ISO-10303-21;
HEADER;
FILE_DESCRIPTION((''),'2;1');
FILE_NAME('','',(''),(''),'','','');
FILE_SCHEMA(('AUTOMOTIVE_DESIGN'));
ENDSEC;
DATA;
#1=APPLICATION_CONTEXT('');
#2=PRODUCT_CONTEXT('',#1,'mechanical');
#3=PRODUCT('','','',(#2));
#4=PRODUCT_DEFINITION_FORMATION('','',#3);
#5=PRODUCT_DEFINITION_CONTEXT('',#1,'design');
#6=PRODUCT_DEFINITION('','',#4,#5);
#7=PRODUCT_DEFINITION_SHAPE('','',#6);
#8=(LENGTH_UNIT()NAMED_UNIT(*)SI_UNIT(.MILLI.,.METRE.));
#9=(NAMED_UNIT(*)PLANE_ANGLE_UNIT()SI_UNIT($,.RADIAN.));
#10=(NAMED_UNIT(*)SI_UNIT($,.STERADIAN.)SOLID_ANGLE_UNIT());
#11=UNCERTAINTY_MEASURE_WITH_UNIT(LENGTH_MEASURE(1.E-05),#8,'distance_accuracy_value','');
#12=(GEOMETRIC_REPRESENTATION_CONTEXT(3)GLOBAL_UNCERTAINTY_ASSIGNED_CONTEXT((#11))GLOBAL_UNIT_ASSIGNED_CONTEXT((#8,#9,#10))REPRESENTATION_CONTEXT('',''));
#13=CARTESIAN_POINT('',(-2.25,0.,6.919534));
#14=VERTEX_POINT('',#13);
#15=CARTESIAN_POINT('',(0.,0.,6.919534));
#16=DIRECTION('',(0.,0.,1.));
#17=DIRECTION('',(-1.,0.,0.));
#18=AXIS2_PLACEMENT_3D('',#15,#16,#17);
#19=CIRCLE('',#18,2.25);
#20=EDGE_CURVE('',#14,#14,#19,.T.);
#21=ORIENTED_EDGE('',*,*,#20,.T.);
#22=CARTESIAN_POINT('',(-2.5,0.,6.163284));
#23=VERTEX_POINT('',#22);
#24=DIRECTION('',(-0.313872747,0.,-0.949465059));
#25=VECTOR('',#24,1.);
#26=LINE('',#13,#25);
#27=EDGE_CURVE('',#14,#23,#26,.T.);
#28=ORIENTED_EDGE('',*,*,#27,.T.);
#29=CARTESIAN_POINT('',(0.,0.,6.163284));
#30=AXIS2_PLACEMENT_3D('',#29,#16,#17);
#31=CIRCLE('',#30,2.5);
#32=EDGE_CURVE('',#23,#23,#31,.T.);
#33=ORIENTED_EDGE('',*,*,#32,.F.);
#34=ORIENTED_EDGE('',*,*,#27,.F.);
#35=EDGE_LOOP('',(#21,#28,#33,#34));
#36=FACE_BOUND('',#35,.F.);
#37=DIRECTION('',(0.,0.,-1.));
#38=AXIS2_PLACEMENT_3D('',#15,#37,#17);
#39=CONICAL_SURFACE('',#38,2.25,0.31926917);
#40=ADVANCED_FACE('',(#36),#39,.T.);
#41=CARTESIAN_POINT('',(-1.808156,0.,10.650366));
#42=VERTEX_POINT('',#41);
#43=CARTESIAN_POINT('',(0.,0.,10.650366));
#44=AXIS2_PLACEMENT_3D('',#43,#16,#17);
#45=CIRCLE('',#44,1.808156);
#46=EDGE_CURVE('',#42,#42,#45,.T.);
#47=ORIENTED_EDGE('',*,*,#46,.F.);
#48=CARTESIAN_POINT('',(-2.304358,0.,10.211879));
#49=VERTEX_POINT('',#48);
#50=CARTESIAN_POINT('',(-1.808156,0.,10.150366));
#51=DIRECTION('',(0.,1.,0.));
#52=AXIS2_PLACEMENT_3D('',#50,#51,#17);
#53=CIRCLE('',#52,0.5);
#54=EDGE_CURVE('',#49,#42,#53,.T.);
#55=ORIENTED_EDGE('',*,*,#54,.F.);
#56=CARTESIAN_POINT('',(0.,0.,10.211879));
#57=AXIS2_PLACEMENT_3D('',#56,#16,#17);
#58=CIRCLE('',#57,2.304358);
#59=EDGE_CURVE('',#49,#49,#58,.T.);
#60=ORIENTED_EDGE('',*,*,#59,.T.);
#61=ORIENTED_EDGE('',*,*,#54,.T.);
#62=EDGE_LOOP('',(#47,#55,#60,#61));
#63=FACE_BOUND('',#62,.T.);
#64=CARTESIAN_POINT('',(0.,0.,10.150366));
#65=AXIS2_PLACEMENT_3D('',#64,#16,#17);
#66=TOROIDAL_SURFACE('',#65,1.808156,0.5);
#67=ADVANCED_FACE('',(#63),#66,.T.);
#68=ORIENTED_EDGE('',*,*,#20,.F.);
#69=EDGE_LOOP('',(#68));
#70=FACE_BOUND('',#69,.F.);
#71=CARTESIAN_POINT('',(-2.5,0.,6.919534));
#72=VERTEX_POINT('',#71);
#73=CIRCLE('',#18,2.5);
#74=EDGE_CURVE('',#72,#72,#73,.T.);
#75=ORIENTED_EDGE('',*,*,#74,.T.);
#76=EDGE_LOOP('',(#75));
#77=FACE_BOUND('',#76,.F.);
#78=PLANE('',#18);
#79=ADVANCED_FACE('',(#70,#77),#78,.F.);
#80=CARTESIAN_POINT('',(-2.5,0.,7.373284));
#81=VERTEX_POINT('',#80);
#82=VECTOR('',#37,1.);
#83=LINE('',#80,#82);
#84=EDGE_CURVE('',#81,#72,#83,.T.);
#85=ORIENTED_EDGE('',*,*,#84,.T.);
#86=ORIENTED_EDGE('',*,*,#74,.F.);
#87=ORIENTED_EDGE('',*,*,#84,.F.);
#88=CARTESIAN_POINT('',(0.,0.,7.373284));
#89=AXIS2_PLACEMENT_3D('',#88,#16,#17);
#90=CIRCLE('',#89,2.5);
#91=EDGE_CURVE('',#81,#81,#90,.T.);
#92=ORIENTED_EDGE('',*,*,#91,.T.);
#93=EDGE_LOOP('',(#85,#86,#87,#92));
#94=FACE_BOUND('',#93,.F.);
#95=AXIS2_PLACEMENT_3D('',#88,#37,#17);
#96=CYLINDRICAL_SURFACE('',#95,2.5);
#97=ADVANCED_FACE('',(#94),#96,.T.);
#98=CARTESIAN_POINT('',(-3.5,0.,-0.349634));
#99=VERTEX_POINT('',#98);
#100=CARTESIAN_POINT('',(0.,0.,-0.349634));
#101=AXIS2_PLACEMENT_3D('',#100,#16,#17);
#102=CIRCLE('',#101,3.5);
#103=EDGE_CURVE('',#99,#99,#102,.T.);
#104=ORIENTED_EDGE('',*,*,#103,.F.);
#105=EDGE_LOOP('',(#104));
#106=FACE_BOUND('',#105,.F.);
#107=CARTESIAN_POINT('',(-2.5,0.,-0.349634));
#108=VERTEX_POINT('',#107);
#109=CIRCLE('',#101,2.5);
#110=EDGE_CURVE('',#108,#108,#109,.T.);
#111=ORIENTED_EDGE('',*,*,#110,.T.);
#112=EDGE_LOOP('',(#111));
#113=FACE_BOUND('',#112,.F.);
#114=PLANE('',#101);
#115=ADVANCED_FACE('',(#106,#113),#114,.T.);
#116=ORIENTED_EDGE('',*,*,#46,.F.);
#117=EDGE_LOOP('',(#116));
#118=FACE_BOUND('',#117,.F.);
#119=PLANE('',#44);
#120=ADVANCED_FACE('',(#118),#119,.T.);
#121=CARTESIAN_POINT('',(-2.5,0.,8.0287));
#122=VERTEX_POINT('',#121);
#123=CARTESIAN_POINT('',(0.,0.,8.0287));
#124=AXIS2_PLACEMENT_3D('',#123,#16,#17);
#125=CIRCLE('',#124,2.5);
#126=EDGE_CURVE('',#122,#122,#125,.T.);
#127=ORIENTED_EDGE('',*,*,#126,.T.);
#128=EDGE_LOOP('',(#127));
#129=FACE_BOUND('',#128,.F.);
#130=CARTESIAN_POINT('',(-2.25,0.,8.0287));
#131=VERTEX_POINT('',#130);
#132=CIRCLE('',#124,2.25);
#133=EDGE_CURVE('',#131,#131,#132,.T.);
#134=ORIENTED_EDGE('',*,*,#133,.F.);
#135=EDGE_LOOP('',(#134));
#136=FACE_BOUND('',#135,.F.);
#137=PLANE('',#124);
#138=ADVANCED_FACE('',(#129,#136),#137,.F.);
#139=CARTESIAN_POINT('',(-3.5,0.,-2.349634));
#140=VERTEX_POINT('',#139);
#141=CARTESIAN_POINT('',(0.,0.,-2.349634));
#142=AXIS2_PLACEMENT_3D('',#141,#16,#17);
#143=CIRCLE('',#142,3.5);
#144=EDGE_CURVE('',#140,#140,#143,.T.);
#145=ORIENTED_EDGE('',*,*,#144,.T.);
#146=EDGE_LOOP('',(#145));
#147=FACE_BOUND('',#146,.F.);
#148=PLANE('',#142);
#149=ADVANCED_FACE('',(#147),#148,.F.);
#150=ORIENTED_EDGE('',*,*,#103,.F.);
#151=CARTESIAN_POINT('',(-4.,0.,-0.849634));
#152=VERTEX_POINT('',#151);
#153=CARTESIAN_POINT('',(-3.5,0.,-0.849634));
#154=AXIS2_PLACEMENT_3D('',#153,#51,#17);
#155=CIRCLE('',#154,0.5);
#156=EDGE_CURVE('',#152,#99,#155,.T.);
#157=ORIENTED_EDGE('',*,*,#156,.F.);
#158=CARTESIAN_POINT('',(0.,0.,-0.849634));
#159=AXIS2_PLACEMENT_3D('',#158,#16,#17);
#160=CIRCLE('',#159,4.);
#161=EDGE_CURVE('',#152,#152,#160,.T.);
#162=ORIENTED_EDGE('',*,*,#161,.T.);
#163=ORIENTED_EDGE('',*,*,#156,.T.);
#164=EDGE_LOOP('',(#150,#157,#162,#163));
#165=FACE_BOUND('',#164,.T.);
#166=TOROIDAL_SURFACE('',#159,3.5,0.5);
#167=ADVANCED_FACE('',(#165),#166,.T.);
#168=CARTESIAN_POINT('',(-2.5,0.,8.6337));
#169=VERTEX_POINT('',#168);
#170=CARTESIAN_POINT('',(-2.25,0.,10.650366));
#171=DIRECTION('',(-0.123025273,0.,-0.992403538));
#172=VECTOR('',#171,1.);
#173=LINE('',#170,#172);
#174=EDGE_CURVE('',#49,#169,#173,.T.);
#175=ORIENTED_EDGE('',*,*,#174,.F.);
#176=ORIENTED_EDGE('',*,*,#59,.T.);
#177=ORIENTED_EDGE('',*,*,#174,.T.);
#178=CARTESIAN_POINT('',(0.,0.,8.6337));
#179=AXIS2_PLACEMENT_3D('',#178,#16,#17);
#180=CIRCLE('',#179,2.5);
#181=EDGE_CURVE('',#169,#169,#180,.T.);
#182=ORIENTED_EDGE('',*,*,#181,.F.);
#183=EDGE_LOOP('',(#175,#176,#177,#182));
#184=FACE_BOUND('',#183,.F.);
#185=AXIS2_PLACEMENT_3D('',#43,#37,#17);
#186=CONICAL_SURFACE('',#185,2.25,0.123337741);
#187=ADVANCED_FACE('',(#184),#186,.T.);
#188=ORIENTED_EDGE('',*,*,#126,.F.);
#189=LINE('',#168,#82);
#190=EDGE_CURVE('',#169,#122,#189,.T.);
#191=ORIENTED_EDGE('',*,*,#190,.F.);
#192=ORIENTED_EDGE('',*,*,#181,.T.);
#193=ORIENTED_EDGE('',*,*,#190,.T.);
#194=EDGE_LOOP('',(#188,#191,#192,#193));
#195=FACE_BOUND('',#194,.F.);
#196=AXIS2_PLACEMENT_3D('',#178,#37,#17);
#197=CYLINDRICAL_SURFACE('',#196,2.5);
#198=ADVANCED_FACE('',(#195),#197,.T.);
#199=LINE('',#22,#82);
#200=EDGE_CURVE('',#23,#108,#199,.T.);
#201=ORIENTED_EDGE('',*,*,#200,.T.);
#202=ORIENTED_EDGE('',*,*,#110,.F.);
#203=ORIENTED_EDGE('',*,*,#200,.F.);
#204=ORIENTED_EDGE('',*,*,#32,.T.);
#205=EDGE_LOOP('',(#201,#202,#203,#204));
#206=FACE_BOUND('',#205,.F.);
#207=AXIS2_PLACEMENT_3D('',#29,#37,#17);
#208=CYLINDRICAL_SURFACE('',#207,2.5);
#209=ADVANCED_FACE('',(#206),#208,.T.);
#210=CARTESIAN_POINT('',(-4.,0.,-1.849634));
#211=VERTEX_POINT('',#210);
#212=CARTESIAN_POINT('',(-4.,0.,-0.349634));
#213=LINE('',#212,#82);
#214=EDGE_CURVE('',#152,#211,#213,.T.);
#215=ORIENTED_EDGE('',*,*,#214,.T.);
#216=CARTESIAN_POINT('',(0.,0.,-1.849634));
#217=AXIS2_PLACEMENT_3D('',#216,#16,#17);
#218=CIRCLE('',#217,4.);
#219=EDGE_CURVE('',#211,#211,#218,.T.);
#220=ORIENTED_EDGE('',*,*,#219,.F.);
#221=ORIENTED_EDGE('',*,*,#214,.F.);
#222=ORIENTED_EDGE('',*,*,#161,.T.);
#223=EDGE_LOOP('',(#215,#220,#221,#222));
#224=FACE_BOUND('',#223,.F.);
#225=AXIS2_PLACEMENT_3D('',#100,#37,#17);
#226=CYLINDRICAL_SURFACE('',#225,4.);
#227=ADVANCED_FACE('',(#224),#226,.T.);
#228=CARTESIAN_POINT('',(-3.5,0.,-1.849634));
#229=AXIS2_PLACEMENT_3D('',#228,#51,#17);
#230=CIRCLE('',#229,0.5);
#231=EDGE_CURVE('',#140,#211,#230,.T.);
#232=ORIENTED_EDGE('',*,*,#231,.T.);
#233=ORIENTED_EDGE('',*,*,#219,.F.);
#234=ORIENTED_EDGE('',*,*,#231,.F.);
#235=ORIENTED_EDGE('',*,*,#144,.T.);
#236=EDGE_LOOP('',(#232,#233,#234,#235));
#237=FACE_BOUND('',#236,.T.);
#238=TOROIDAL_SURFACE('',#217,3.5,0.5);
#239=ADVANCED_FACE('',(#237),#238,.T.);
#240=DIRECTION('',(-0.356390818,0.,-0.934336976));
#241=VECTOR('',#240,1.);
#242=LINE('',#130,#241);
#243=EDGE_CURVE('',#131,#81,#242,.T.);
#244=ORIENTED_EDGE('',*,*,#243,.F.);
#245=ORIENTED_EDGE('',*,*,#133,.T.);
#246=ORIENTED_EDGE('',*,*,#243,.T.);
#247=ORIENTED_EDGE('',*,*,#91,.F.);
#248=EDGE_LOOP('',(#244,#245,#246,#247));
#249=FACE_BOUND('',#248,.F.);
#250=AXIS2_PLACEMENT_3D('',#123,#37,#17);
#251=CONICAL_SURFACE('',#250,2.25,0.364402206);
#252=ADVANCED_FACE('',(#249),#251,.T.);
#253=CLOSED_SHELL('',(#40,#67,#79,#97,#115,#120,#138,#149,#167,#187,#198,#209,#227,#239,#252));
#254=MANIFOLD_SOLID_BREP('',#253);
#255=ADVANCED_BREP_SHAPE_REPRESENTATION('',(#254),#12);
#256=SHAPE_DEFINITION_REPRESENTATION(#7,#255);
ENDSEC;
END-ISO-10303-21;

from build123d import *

# Parameters (mm, degrees)
F2_R = 0.5
F3_R = 0.5


with BuildPart() as f1:
    # F0 (on Front) → F1 (revolve)
    with BuildSketch(Plane.XZ):
        Polygon((-4, -2.349634), (0, -2.349634), (0, 10.650366), (-2.25, 10.650366), (-2.5, 8.6337), (-2.5, 8.0287), (-2.25, 8.0287), (-2.5, 7.373284), (-2.5, 6.919534), (-2.25, 6.919534), (-2.5, 6.163284), (-2.5, -0.349634), (-4, -0.349634), align=None)
    revolve(axis=Axis((0, 0, 3.269001), (0, 0, 1)))

    # F2
    f2_edges = [f1.edges().sort_by_distance(p)[0] for p in [
        (4, 0, -2.349634),
    ]]
    fillet(f2_edges, radius=F2_R)

    # F3
    f3_edges = [f1.edges().sort_by_distance(p)[0] for p in [
        (2.25, 0, 10.650366),
        (4, 0, -0.349634),
    ]]
    fillet(f3_edges, radius=F3_R)


solid = f1.part
